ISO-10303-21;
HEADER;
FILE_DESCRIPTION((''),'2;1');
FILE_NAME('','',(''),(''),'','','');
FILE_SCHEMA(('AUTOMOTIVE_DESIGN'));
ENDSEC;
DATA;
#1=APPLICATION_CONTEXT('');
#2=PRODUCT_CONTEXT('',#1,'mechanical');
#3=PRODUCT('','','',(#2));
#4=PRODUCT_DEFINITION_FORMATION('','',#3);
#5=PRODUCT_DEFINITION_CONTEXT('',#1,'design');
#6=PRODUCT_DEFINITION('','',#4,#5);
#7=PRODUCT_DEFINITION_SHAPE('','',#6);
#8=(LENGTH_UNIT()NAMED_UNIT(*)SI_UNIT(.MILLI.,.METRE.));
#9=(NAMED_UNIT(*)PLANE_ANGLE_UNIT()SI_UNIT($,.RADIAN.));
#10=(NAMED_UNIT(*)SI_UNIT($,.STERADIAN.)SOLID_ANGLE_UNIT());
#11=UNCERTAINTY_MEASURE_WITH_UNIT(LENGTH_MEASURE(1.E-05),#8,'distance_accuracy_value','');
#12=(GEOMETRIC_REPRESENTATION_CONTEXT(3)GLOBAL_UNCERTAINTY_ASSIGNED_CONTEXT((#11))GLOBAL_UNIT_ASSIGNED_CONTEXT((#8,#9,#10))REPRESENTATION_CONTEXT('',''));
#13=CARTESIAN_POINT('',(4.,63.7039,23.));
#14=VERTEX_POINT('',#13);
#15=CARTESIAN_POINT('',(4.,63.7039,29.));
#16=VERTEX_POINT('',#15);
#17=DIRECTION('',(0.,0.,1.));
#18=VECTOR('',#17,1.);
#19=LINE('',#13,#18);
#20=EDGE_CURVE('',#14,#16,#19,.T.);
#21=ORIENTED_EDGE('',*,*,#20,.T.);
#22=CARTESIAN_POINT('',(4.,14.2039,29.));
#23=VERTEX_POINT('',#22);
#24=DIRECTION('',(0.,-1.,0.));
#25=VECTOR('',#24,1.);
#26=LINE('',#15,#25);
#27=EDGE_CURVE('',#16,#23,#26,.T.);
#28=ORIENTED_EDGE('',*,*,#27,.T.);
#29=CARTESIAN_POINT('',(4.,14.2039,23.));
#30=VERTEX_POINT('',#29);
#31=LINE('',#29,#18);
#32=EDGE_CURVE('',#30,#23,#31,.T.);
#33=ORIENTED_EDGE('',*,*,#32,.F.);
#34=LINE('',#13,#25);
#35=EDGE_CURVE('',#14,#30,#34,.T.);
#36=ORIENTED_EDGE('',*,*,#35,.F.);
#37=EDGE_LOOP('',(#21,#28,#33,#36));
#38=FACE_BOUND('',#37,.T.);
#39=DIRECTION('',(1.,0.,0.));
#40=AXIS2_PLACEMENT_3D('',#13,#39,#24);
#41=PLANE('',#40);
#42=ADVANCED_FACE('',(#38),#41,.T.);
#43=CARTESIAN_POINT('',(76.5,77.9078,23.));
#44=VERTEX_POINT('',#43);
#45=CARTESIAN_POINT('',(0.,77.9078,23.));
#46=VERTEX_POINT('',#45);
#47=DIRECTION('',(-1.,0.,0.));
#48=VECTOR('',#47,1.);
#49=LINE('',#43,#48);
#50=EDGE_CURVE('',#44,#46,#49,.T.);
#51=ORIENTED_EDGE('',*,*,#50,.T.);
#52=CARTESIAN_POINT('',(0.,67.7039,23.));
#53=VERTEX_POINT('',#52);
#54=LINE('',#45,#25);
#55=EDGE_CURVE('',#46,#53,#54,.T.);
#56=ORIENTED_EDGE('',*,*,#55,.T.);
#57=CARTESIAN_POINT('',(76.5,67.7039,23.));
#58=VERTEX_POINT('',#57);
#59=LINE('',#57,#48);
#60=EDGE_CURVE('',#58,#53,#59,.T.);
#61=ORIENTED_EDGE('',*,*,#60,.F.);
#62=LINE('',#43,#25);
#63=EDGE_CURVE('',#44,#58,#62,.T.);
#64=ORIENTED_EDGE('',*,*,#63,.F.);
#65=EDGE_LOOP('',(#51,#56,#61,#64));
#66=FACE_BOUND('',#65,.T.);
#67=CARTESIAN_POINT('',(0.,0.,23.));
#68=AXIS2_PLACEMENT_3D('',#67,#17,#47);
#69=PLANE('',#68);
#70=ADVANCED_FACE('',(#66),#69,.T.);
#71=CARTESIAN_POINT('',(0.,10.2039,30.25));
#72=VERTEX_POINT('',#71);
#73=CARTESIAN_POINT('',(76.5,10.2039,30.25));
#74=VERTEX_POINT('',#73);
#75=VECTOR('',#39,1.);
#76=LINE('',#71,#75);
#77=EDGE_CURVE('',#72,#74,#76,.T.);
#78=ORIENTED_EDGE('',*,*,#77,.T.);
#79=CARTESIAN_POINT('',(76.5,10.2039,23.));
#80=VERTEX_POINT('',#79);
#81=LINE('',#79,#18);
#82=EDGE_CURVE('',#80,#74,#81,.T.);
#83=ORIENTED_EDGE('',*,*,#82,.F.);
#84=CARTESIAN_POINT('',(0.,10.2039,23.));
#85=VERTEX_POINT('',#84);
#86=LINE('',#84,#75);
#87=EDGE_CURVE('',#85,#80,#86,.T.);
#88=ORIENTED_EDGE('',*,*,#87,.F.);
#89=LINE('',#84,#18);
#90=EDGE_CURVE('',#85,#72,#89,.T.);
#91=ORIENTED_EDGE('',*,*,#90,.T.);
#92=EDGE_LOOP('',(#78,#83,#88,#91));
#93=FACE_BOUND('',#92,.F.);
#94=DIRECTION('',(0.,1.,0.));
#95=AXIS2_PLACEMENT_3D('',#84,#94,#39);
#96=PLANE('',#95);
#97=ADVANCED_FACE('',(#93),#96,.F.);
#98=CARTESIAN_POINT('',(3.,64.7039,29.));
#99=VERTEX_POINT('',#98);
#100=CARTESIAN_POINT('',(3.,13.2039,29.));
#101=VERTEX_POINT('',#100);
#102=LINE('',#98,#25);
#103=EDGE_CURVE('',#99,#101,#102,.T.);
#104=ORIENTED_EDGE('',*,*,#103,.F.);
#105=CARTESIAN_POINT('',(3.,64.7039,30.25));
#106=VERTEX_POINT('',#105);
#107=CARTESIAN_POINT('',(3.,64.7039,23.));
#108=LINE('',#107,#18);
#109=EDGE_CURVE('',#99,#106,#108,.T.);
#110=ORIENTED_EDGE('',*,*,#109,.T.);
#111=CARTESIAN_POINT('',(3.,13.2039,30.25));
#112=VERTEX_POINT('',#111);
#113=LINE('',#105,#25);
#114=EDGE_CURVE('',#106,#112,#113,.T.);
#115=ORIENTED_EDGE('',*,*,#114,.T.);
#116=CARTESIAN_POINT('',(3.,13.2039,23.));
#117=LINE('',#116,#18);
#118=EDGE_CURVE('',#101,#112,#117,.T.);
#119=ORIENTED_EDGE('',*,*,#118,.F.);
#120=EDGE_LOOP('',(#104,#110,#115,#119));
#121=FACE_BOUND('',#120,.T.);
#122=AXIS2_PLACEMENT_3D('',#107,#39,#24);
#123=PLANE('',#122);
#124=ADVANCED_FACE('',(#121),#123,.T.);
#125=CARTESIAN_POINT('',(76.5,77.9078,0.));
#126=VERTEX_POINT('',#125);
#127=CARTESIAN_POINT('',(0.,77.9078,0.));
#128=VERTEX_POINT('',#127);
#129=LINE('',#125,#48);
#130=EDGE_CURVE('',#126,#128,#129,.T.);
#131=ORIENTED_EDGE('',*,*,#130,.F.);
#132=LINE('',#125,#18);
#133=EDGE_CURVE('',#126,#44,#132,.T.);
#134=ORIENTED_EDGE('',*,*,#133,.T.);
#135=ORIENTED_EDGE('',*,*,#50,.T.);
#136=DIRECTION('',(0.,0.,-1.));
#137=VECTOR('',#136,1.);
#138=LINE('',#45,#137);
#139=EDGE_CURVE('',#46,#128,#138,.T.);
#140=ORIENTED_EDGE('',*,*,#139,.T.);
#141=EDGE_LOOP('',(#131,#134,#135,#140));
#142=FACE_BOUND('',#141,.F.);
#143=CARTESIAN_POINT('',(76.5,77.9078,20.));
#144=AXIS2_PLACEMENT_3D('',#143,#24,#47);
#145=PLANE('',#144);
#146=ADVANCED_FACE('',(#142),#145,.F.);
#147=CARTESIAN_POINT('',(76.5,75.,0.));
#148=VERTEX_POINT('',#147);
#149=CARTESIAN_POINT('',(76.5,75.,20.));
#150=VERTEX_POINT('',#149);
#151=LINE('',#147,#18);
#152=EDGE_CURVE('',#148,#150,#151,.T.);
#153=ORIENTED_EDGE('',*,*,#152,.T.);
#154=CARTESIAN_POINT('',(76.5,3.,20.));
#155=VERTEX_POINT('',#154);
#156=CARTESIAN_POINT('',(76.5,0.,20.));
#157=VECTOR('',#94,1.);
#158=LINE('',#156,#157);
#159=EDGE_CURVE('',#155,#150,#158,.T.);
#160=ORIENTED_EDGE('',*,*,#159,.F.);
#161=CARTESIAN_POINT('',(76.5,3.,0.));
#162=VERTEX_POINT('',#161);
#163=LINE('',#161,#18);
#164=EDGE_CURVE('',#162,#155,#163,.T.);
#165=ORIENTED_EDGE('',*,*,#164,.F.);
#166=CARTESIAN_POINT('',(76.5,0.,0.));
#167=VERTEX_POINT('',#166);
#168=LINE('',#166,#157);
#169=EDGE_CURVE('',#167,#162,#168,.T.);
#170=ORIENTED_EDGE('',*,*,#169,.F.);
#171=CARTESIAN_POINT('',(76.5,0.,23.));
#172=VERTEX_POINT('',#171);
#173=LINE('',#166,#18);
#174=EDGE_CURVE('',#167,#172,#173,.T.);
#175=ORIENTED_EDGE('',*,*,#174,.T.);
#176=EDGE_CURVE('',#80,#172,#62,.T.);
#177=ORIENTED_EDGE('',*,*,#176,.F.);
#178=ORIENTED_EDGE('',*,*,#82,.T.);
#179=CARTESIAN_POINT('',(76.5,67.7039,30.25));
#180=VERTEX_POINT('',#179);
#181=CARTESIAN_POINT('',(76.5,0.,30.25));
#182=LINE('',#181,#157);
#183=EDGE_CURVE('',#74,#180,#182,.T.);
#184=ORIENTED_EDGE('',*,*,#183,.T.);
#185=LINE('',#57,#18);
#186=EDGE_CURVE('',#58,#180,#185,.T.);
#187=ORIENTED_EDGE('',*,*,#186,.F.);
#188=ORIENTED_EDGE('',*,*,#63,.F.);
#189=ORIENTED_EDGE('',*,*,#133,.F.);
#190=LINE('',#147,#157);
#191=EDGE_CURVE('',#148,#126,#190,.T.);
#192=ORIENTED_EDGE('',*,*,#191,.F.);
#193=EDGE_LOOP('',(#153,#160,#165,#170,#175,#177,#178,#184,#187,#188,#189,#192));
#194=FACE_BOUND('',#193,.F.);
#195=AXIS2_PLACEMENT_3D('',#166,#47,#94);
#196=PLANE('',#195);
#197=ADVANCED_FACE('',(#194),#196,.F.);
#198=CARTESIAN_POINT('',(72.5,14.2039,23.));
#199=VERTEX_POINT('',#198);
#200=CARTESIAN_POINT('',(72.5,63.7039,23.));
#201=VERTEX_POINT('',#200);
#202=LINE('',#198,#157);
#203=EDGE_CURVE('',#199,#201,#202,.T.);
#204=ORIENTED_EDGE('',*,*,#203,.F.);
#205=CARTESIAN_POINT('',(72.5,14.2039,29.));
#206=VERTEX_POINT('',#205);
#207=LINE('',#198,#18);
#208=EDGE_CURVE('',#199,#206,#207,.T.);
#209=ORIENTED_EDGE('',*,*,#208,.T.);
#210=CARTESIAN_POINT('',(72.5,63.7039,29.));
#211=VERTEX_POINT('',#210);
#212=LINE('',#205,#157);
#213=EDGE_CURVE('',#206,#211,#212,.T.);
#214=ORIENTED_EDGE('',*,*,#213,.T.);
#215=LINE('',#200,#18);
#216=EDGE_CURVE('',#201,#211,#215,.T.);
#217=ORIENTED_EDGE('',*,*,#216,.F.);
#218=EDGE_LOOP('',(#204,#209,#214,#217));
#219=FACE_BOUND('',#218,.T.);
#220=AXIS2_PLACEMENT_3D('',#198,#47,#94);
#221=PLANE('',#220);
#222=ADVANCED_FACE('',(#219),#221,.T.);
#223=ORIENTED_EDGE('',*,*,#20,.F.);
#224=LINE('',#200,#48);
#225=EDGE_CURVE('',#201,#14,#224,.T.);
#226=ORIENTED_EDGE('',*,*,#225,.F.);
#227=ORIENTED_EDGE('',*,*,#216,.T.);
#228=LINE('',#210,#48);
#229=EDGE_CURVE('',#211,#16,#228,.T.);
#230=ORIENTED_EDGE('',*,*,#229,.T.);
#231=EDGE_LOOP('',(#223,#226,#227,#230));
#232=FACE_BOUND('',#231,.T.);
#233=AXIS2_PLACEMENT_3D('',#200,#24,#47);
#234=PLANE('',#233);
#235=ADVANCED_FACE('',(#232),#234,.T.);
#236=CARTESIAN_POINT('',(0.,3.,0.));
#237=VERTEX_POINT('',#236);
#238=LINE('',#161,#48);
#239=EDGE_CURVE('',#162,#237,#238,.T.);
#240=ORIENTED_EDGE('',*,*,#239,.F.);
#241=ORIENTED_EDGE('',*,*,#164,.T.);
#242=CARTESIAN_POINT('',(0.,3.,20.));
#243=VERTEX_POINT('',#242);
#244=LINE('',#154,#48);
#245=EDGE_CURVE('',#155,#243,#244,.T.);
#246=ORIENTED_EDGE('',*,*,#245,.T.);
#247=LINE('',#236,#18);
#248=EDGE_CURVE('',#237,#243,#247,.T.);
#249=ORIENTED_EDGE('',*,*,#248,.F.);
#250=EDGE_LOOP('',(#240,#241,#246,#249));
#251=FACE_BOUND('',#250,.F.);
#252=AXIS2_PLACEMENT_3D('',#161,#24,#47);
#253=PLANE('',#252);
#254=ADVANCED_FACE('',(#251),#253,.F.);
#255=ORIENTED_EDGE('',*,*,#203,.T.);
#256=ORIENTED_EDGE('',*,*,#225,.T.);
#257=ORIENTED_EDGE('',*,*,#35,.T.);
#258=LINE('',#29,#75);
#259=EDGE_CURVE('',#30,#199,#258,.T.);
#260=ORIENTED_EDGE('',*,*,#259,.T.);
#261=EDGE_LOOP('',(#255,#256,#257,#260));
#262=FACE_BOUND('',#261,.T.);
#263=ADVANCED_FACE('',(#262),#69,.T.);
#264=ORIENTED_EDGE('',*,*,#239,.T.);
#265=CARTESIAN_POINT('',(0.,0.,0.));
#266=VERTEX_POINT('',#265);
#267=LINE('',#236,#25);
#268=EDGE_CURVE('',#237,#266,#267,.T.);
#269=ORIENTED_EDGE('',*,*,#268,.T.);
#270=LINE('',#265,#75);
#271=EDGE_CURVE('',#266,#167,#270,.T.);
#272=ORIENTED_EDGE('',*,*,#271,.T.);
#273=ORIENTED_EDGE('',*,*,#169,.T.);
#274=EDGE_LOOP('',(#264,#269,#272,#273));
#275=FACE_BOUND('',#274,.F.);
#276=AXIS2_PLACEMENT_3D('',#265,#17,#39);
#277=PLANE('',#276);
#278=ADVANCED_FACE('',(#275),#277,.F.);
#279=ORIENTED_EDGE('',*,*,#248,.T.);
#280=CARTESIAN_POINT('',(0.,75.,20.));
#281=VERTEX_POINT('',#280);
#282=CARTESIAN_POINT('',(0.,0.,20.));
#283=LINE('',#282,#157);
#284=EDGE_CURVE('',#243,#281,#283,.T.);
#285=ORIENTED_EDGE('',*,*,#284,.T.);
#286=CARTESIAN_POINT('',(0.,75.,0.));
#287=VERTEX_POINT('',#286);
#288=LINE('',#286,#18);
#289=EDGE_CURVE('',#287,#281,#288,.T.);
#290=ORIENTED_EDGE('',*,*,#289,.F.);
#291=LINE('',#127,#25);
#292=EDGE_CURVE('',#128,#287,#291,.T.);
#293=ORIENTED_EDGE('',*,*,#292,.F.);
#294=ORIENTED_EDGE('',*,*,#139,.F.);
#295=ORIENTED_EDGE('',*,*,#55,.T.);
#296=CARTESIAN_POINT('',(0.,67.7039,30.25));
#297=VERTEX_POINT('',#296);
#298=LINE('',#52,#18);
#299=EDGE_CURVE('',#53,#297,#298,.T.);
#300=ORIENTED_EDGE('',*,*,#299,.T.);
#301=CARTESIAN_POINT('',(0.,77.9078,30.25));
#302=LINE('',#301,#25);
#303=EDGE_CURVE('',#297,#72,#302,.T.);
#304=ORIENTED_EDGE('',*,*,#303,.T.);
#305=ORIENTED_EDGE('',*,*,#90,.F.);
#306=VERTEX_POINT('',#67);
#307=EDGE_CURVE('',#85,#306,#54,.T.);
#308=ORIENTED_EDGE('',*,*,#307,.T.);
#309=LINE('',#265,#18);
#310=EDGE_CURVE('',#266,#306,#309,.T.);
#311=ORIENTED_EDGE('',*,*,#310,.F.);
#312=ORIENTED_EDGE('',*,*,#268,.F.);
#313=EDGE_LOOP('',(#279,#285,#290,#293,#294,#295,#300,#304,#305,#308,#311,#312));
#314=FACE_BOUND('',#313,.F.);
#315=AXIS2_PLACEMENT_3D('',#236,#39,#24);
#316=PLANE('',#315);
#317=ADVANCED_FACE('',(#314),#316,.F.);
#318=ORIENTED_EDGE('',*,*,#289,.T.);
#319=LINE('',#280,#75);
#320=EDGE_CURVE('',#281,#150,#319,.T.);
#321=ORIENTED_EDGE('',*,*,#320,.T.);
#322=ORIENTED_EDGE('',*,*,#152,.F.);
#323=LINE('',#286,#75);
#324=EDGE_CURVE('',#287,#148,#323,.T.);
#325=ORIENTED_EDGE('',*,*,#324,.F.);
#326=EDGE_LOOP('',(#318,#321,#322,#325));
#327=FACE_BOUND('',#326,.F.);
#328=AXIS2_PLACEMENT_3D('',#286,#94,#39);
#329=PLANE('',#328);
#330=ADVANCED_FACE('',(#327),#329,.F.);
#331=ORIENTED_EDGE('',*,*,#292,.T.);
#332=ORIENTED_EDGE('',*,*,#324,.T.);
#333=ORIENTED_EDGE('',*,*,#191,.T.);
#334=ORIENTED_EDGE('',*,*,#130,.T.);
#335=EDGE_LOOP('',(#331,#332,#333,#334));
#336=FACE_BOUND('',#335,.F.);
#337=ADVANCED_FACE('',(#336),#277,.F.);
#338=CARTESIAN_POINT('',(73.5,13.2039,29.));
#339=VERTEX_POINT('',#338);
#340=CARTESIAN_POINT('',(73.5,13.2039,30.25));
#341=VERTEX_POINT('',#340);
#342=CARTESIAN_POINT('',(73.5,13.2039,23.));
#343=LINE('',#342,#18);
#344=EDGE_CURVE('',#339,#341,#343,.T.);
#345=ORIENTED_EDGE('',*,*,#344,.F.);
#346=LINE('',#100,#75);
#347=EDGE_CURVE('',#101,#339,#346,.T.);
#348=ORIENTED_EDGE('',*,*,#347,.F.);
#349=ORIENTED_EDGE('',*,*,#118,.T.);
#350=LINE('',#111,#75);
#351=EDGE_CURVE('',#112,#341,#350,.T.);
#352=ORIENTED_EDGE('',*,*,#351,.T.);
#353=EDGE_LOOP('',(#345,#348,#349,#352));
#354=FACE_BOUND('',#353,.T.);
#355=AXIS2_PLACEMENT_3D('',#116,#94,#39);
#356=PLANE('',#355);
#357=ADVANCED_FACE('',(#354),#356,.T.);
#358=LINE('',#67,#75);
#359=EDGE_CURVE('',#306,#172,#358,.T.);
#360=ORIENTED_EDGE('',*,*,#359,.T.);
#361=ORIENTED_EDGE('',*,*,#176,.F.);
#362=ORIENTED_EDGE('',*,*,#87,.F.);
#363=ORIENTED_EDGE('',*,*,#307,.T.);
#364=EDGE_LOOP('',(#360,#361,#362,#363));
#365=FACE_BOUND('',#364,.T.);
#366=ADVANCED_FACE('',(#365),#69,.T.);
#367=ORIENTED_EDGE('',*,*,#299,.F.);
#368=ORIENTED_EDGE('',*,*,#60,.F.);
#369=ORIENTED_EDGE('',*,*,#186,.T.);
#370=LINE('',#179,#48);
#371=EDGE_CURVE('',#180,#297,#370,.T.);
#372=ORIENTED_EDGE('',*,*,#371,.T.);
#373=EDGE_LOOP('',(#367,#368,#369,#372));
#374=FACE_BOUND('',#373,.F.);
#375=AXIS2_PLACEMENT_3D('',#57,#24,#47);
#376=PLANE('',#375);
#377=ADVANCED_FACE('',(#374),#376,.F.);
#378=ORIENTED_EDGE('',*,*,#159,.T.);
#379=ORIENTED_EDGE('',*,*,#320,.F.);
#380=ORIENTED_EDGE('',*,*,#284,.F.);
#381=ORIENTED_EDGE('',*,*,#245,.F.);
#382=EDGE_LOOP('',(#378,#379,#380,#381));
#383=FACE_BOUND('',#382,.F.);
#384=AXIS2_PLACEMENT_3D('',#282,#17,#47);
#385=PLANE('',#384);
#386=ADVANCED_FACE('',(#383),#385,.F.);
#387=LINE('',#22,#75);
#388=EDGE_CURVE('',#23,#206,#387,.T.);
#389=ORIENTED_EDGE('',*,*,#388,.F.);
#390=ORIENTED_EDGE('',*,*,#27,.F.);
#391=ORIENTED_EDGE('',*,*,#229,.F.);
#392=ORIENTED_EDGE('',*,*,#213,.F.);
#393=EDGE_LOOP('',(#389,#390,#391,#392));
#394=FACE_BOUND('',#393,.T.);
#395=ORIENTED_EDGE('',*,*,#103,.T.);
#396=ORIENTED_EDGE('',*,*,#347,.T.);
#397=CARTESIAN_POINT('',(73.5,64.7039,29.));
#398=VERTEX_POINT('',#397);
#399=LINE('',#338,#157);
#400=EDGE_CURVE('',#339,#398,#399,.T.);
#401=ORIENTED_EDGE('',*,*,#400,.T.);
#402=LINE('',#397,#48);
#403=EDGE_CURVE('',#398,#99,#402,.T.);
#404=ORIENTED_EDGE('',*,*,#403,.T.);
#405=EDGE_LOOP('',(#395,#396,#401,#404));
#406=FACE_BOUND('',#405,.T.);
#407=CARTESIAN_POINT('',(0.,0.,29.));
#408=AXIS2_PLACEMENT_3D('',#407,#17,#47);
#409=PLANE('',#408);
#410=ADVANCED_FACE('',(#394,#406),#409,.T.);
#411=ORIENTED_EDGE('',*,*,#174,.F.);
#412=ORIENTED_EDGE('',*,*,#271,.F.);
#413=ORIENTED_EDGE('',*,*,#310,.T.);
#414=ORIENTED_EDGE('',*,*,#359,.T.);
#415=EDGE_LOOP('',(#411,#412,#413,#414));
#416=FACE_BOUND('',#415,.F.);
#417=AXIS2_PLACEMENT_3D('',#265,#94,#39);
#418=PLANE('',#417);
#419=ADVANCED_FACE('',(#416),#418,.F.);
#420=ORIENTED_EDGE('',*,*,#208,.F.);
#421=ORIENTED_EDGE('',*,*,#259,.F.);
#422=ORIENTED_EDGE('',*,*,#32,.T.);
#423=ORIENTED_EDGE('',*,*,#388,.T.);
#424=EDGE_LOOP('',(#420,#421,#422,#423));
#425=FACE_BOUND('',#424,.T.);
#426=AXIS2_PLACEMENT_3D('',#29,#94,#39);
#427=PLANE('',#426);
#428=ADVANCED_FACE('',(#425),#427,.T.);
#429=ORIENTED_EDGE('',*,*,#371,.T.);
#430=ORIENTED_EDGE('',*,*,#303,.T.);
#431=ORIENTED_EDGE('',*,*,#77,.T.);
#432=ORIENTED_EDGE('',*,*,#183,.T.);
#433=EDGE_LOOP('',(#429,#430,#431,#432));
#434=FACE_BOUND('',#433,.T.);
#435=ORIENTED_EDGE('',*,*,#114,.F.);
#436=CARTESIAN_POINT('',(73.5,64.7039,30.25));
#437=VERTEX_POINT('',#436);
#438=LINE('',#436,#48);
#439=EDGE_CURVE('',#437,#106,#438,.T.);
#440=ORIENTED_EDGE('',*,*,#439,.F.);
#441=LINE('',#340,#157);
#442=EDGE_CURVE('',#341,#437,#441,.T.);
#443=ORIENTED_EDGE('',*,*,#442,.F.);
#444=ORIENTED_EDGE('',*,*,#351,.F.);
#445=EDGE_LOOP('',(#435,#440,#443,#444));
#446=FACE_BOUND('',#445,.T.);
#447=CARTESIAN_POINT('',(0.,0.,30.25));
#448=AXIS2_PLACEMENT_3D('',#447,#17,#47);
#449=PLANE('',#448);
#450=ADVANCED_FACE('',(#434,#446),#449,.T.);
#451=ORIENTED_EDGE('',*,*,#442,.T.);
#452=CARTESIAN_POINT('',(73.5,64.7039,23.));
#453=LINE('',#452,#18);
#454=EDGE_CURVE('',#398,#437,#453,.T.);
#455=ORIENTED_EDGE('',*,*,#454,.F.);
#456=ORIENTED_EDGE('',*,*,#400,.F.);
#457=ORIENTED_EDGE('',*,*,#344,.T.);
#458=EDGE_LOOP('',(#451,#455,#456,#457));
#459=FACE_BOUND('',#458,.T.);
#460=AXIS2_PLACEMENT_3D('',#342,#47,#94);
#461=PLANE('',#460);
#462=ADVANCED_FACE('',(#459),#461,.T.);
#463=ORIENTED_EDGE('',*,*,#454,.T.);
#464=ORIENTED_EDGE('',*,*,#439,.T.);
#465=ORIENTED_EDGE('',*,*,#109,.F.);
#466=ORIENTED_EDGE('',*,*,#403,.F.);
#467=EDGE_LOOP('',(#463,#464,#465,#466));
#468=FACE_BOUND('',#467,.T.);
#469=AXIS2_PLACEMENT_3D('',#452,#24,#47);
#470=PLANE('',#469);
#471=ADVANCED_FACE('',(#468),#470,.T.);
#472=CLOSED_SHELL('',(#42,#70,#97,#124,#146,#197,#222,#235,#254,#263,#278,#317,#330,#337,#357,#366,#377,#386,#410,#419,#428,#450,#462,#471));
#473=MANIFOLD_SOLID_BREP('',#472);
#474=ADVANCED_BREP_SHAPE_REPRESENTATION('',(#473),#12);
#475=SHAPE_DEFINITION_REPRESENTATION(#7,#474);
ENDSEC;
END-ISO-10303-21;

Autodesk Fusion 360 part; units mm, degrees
sketch "Sketch3" plane through (0, 0, 0) normal (0, 0, 1) x (1, 0, 0)
  line L0 (0, 0) -> (76.5, 0)
  line L1 (76.5, 0) -> (76.5, 3)
  line L2 (76.5, 3) -> (0, 3)
  line L3 (0, 3) -> (0, 0)
  line L4 (0, 75) -> (76.5, 75)
  line L5 (76.5, 75) -> (76.5, 77.9078)
  line L6 (76.5, 77.9078) -> (0, 77.9078)
  line L7 (0, 77.9078) -> (0, 75)
  dimension "d24" = 76.5
  dimension "d25" = 3
  dimension "d26" = 76.5
  dimension "d27" = 72
extrude "Extrude4" add sketch "Sketch3" along normal blind 20 makes body 1 at (51, 3, 13.3333) makes body 2 at (51, 77.9078, 13.3333)
sketch "Sketch4" plane through (0, 0, 20) normal (0, 0, 1) x (-1, 0, 0)
  line L0 (0, -3) -> (0, 0)
  line L1 (0, 0) -> (-76.5, 0)
  line L2 (-76.5, 0) -> (-76.5, -3)
  line L3 (-76.5, -3) -> (0, -3)
  line L4 (0, -77.9078) -> (0, -75)
  line L5 (0, -75) -> (-76.5, -75)
  line L6 (-76.5, -75) -> (-76.5, -77.9078)
  line L7 (-76.5, -77.9078) -> (0, -77.9078)
  line L8 (0, -77.9078) -> (-76.5, -77.9078)
  line L9 (-76.5, -77.9078) -> (-76.5, 0)
  line L10 (-76.5, 0) -> (0, 0)
  line L11 (0, 0) -> (0, -77.9078)
extrude "Extrude5" add sketch "Sketch4" along normal blind 3 bodies 1 2
sketch "Sketch5" plane through (0, 0, 23) normal (0, 0, 1) x (-1, 0, 0)
  line L0 (0, 0) -> (-76.5, 0)
  line L1 (-76.5, 0) -> (-76.5, -77.9078)
  line L2 (-76.5, -77.9078) -> (0, -77.9078)
  line L3 (0, -77.9078) -> (0, 0)
  line L4 (0, -77.9078) -> (-76.5, 0) construction
  line L5 (-73.5, -64.7039) -> (-3, -64.7039)
  line L6 (-3, -64.7039) -> (-3, -13.2039)
  line L7 (-3, -13.2039) -> (-73.5, -13.2039)
  line L8 (-73.5, -13.2039) -> (-73.5, -64.7039)
  line L9 (-73.5, -64.7039) -> (-3, -13.2039) construction
  line L10 (-3, -64.7039) -> (-73.5, -13.2039) construction
  line L11 (-4, -14.2039) -> (-72.5, -14.2039)
  line L12 (-72.5, -14.2039) -> (-72.5, -63.7039)
  line L13 (-72.5, -63.7039) -> (-4, -63.7039)
  line L14 (-4, -63.7039) -> (-4, -14.2039)
  line L15 (0, -10.2039) -> (-76.5, -10.2039)
  line L16 (-76.5, -10.2039) -> (-76.5, -67.7039)
  line L17 (-76.5, -67.7039) -> (0, -67.7039)
  line L18 (0, -67.7039) -> (0, -10.2039)
  point P0 (-38.25, -38.9539)
  dimension "d35" = 70.5
  dimension "d36" = 51.5
  dimension "d38" = 3
extrude "Extrude8" add sketch "Sketch5" along normal blind 7.25 contours L1 L3 L15 L16 L17 L18 bodies 1
extrude "Extrude9" add sketch "Sketch5" along normal blind 6 contours L5 L6 L7 L8 bodies 1
extrude "Extrude6" [suppressed]
extrude "Extrude7" [suppressed]
equation "board_width = 51 mm"
equation "board_length = 70 mm"
equation "tolerance = 0.25 mm"
equation "board_holder_depth = 6 mm"
equation "board_thickness = 1.25 mm"
equation "board_overhang = 1 mm"
equation "thickness = 3 mm"
equation "bottom_part_gap = 72 mm"
equation "bottom_part_height = 20 mm"
equation "d24 = board_length + thickness * 2 + tolerance * 2"
equation "d25 = thickness"
equation "d26 = board_length + thickness * 2 + tolerance * 2"
equation "d27 = bottom_part_gap"
equation "d28 = bottom_part_height"
equation "d30 = thickness"
equation "d33 = board_holder_depth + board_thickness"
equation "d35 = board_length + tolerance * 2"
equation "d36 = board_width + tolerance * 2"
equation "d37 = -board_overhang"
equation "d38 = thickness"
equation "d39 = board_holder_depth"
equation "d41 = board_holder_depth + board_thickness"
equation "d43 = board_holder_depth"
